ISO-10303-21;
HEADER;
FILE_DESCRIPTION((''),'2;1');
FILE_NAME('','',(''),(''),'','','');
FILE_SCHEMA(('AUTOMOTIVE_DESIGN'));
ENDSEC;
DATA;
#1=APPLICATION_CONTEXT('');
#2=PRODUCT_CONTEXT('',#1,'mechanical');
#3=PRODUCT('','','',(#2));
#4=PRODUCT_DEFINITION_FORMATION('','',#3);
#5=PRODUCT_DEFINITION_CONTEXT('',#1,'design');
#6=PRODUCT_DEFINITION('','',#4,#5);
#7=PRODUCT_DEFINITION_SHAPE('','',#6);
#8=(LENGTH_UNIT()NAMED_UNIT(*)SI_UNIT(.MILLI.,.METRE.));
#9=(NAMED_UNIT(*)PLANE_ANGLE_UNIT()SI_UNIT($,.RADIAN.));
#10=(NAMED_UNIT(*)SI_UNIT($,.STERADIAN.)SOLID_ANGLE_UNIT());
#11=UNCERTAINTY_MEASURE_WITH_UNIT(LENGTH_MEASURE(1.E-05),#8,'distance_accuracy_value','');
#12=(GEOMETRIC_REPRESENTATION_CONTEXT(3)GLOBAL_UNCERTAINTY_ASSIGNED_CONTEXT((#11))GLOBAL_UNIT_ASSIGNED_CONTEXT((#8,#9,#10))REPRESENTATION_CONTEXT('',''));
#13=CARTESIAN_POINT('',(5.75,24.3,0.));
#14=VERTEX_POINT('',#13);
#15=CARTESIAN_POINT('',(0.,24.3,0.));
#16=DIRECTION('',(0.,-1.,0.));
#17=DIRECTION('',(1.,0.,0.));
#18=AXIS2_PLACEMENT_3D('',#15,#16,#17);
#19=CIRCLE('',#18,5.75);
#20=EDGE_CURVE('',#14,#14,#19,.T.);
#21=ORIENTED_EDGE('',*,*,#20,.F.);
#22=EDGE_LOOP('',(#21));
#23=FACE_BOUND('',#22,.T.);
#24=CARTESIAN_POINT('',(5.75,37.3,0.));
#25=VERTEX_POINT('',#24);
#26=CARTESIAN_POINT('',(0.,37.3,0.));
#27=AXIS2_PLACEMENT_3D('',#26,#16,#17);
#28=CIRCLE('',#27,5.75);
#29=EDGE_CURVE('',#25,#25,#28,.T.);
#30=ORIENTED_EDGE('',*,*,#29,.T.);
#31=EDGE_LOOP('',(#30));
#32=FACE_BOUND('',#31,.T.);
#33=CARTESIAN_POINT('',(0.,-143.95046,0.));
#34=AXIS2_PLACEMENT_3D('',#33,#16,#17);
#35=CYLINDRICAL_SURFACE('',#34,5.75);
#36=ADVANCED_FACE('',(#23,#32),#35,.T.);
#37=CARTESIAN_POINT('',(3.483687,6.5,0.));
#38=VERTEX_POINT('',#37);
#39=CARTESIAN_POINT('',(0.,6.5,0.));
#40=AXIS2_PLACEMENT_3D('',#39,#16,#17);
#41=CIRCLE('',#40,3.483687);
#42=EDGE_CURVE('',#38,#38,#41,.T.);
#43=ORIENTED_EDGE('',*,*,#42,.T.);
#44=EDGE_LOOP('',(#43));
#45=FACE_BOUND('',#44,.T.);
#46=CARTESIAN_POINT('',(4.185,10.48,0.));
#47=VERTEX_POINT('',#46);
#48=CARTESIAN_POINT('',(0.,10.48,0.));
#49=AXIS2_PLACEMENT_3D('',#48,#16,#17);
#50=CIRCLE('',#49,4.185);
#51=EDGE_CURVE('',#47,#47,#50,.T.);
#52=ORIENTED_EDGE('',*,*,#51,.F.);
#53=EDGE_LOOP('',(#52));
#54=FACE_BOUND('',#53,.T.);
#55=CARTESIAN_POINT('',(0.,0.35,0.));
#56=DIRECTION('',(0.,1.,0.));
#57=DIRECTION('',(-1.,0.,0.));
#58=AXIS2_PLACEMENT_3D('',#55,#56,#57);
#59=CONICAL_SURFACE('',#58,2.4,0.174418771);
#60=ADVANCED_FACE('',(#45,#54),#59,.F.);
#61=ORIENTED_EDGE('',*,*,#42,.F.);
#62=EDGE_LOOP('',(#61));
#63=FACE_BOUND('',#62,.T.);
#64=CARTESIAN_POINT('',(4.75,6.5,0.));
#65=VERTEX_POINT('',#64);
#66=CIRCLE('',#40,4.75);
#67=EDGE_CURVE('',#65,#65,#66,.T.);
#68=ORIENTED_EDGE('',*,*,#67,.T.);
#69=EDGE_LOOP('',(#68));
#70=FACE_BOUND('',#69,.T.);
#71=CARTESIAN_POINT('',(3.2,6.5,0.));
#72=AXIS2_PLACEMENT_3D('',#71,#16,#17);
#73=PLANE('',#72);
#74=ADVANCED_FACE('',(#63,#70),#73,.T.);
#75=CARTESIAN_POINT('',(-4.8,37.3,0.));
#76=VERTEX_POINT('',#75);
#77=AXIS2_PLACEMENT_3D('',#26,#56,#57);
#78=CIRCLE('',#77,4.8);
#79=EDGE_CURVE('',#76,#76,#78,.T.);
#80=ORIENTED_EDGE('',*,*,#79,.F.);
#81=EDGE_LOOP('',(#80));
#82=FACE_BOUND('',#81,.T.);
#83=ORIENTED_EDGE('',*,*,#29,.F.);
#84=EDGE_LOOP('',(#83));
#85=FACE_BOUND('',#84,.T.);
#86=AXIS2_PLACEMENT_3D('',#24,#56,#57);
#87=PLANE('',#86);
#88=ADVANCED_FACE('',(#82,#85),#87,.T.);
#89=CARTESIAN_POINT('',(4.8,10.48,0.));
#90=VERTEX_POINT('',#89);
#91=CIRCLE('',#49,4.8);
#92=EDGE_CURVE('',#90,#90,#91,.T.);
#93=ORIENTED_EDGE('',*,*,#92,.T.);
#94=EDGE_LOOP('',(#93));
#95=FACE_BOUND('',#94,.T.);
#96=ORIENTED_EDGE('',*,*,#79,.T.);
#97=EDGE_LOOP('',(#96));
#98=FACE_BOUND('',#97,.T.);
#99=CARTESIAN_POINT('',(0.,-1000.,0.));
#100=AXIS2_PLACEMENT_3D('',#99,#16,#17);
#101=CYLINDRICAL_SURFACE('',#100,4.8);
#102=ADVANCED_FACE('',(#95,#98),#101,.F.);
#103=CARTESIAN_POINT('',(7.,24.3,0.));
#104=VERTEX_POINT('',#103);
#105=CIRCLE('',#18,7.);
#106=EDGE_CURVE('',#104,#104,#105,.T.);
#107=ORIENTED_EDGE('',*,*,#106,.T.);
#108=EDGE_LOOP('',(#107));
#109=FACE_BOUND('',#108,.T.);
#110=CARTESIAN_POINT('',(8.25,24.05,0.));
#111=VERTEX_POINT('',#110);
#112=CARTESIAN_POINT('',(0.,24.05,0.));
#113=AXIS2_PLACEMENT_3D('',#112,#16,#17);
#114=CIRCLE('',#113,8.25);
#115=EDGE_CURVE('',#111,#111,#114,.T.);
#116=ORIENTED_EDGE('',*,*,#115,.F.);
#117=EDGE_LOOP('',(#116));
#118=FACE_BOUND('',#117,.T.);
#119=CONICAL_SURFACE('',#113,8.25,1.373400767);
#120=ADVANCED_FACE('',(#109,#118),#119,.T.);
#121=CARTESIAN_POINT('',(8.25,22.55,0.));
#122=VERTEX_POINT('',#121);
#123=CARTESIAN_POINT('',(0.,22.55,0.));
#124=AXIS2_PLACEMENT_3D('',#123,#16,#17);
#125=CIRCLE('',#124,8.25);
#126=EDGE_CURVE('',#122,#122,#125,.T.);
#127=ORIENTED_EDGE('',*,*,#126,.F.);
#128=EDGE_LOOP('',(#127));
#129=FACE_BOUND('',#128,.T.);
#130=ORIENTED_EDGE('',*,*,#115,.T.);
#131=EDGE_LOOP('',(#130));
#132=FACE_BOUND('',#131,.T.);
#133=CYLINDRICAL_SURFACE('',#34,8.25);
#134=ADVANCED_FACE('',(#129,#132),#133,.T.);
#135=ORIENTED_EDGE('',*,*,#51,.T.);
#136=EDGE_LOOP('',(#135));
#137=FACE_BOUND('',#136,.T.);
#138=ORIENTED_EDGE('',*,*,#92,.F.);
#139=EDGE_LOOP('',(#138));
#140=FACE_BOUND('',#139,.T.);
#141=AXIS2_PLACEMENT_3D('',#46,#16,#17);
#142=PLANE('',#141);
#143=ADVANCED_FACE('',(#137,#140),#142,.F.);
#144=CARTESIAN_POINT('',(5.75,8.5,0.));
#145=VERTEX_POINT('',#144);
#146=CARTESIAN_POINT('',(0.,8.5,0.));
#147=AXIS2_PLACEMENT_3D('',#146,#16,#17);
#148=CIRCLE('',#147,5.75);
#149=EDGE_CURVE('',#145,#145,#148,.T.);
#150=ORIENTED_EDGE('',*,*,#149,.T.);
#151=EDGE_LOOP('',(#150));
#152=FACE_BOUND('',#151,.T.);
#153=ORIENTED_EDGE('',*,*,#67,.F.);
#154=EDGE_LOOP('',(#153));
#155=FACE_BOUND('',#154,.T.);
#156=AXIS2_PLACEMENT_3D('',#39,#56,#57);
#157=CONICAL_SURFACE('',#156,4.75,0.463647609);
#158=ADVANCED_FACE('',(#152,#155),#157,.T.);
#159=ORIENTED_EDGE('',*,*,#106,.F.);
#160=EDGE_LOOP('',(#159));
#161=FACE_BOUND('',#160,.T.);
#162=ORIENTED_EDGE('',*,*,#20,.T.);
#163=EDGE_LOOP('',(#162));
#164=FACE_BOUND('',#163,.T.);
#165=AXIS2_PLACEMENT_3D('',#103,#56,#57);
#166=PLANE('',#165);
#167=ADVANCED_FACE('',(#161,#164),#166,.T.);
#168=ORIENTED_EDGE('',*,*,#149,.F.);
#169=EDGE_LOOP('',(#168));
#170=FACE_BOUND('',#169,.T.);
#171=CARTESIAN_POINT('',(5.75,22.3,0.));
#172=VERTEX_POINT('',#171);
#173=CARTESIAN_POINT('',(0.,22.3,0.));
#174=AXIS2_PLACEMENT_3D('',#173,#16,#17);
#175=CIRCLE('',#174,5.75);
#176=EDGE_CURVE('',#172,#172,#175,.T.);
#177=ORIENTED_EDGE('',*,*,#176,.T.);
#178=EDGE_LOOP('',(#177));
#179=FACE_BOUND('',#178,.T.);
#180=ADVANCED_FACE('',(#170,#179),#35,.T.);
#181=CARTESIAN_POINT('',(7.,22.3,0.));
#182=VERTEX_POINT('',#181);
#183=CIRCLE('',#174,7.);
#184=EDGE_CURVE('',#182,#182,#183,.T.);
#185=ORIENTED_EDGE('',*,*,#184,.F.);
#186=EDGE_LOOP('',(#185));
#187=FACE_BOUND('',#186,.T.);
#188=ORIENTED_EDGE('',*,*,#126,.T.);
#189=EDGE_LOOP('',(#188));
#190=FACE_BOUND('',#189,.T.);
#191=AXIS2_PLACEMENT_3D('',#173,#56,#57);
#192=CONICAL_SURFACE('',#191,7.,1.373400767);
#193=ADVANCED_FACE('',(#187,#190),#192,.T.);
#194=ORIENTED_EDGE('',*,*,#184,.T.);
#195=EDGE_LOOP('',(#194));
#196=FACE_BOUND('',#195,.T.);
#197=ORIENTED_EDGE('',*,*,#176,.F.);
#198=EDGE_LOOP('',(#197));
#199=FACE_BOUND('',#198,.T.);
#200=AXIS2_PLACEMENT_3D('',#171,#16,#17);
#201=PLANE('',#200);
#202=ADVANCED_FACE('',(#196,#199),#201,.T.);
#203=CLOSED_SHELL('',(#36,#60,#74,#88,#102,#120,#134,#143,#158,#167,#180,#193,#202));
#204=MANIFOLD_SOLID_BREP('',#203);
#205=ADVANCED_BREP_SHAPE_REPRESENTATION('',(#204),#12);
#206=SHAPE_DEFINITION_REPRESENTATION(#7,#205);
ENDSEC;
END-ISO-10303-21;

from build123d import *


with BuildPart() as part:
    # Sketch1 → 5.63 mm bottom to pen tip (revolve)
    with BuildSketch(Plane.XY):
        Polygon((0, 0), (2.375, 0), (3.2, 5.5), (3.2, 6.5), (4.75, 6.5), (5.75, 8.5), (5.75, 22.3), (7, 22.3), (8.25, 22.55), (8.25, 24.05), (7, 24.3), (5.75, 24.3), (5.75, 37.3), (0, 37.3), align=None)
    revolve(axis=Axis((0, -143.950460456, 0), (0, 1, 0)))

    # Sketch2 → Cut-Revolve1 (revolve, cut)
    with BuildSketch(Plane.XY):
        Polygon((0, -5.63), (0.39, -5.63), (0.39, -2.03), (1.1, -2.03), (1.65, 0.35), (2.4, 0.35), (4.185, 10.48), (4.8, 10.48), (4.8, 42.48), (5.967443991, 42.48), (5.967443991, 45.051498483), (0, 45.051498483), align=None)
    revolve(axis=Axis((0, -1000, 0), (0, 1, 0)), mode=Mode.SUBTRACT)


with BuildPart() as body_2:
    # of the pieces the cut leaves, the one that is kept (cut_revolve1_keep)
    add(part.part.solids().sort_by_distance((4.75, 6.5, 0))[0])


solid = body_2.part
